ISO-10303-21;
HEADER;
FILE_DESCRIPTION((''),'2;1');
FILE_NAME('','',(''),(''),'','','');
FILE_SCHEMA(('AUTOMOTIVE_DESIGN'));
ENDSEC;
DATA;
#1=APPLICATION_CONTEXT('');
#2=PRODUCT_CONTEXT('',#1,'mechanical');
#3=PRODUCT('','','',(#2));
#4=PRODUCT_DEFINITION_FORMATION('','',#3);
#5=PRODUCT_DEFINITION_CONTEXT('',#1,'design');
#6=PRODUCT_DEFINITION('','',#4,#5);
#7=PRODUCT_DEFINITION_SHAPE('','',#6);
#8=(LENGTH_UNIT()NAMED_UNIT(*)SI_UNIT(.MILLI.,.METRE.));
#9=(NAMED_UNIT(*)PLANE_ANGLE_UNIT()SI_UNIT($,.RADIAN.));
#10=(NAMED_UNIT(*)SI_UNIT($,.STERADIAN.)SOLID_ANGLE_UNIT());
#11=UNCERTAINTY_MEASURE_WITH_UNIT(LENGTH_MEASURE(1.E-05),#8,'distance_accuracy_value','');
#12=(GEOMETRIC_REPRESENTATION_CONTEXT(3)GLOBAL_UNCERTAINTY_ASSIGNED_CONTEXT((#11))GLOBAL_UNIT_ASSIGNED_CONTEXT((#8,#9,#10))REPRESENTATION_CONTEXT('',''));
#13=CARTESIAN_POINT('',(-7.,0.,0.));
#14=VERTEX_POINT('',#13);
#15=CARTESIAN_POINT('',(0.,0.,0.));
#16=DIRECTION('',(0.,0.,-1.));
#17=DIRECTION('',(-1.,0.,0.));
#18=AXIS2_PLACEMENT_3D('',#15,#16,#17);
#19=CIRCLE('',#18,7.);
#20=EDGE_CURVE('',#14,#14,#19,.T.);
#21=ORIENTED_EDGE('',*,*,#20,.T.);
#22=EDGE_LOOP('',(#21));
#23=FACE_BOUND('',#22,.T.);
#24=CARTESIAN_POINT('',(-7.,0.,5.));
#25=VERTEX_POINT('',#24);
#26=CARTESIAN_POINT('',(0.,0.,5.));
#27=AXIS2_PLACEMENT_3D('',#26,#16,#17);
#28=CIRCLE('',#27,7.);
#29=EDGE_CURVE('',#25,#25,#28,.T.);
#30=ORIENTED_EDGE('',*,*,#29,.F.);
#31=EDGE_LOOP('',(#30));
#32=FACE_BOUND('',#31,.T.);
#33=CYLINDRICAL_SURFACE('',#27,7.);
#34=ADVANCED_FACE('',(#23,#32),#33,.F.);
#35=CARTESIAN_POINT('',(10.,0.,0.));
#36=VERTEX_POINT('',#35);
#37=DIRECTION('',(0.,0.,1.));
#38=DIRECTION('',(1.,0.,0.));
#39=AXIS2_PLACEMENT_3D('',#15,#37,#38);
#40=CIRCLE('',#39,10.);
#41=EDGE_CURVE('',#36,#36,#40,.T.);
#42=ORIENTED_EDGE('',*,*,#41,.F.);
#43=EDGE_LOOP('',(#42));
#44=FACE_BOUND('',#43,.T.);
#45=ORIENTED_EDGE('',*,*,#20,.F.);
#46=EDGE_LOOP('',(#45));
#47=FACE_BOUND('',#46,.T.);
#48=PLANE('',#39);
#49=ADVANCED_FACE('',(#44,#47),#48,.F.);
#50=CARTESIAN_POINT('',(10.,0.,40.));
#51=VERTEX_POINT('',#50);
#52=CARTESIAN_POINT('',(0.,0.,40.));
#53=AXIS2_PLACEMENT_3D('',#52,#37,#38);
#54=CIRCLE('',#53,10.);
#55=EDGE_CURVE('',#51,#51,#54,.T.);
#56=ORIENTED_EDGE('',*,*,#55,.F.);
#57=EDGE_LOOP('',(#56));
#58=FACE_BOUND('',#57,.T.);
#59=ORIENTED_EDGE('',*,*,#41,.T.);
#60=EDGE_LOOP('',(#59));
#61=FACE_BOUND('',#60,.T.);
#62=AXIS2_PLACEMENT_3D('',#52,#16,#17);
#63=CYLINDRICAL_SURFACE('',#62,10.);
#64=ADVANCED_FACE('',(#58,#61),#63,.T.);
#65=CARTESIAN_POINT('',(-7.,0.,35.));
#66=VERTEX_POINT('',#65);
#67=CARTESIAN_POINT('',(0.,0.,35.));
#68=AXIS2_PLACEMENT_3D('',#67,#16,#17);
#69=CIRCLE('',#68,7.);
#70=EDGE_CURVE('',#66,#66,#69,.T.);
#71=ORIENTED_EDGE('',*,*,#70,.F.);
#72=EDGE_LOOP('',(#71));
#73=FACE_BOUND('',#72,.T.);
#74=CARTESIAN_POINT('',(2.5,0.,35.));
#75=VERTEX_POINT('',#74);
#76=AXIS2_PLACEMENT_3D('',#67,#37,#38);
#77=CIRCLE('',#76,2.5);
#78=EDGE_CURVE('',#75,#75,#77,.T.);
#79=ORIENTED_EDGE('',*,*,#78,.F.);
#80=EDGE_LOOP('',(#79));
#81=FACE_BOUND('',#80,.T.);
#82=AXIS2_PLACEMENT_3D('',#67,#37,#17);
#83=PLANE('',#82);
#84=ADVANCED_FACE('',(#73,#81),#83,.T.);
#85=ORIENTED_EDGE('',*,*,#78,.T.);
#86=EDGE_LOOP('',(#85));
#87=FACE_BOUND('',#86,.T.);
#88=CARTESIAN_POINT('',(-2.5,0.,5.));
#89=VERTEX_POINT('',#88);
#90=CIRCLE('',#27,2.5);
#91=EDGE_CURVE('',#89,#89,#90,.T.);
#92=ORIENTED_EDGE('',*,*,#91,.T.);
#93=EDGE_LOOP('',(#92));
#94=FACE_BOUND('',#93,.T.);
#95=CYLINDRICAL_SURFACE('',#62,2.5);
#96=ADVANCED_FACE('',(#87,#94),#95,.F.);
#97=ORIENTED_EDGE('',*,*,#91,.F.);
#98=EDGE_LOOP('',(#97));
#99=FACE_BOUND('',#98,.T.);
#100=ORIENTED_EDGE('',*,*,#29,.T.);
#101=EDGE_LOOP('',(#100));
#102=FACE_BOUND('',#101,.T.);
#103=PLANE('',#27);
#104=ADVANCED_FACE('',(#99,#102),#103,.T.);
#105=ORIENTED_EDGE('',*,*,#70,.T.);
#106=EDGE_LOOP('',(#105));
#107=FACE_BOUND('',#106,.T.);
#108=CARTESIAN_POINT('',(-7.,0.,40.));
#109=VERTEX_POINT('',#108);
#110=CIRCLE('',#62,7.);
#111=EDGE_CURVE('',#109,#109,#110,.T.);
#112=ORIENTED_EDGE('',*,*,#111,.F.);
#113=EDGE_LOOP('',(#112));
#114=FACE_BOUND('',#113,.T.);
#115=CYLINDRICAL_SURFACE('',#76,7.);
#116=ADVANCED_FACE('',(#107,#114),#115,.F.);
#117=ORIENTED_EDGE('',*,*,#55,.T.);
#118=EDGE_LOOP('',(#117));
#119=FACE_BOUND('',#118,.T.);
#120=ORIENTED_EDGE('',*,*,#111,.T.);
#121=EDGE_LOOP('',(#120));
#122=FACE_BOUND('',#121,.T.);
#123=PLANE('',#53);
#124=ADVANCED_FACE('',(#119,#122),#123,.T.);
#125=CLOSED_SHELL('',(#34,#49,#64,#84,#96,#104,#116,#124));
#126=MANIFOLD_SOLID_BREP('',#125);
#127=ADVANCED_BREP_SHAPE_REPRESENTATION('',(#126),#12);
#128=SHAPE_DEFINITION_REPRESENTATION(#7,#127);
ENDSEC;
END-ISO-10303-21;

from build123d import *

# Parameters (mm, degrees)
SKETCH_1_R          = 10
SKETCH_1_R_2        = 2.5
EXTRUDE_1_DEPTH     = 40
SKETCH_2_R          = 7
CUT_EXTRUDE_1_DEPTH = 5


with BuildPart() as part:
    # 草图1 → 凸台-拉伸1 (new body)
    with BuildSketch(Plane.XY):
        Circle(SKETCH_1_R)
        Circle(SKETCH_1_R_2, mode=Mode.SUBTRACT)
    extrude(amount=EXTRUDE_1_DEPTH)

    # 草图2 → 切除-拉伸1 (cut)
    with BuildSketch(Plane(origin=(0, 0, 0), x_dir=(-1, 0, 0), z_dir=(0, 0, -1))):
        Circle(SKETCH_2_R)
    cut_extrude_1 = extrude(amount=-CUT_EXTRUDE_1_DEPTH, mode=Mode.SUBTRACT)

    # 镜向1: 切除-拉伸1 across plane
    add(cut_extrude_1.mirror(Plane.XY.offset(20)), mode=Mode.SUBTRACT)


solid = part.part
